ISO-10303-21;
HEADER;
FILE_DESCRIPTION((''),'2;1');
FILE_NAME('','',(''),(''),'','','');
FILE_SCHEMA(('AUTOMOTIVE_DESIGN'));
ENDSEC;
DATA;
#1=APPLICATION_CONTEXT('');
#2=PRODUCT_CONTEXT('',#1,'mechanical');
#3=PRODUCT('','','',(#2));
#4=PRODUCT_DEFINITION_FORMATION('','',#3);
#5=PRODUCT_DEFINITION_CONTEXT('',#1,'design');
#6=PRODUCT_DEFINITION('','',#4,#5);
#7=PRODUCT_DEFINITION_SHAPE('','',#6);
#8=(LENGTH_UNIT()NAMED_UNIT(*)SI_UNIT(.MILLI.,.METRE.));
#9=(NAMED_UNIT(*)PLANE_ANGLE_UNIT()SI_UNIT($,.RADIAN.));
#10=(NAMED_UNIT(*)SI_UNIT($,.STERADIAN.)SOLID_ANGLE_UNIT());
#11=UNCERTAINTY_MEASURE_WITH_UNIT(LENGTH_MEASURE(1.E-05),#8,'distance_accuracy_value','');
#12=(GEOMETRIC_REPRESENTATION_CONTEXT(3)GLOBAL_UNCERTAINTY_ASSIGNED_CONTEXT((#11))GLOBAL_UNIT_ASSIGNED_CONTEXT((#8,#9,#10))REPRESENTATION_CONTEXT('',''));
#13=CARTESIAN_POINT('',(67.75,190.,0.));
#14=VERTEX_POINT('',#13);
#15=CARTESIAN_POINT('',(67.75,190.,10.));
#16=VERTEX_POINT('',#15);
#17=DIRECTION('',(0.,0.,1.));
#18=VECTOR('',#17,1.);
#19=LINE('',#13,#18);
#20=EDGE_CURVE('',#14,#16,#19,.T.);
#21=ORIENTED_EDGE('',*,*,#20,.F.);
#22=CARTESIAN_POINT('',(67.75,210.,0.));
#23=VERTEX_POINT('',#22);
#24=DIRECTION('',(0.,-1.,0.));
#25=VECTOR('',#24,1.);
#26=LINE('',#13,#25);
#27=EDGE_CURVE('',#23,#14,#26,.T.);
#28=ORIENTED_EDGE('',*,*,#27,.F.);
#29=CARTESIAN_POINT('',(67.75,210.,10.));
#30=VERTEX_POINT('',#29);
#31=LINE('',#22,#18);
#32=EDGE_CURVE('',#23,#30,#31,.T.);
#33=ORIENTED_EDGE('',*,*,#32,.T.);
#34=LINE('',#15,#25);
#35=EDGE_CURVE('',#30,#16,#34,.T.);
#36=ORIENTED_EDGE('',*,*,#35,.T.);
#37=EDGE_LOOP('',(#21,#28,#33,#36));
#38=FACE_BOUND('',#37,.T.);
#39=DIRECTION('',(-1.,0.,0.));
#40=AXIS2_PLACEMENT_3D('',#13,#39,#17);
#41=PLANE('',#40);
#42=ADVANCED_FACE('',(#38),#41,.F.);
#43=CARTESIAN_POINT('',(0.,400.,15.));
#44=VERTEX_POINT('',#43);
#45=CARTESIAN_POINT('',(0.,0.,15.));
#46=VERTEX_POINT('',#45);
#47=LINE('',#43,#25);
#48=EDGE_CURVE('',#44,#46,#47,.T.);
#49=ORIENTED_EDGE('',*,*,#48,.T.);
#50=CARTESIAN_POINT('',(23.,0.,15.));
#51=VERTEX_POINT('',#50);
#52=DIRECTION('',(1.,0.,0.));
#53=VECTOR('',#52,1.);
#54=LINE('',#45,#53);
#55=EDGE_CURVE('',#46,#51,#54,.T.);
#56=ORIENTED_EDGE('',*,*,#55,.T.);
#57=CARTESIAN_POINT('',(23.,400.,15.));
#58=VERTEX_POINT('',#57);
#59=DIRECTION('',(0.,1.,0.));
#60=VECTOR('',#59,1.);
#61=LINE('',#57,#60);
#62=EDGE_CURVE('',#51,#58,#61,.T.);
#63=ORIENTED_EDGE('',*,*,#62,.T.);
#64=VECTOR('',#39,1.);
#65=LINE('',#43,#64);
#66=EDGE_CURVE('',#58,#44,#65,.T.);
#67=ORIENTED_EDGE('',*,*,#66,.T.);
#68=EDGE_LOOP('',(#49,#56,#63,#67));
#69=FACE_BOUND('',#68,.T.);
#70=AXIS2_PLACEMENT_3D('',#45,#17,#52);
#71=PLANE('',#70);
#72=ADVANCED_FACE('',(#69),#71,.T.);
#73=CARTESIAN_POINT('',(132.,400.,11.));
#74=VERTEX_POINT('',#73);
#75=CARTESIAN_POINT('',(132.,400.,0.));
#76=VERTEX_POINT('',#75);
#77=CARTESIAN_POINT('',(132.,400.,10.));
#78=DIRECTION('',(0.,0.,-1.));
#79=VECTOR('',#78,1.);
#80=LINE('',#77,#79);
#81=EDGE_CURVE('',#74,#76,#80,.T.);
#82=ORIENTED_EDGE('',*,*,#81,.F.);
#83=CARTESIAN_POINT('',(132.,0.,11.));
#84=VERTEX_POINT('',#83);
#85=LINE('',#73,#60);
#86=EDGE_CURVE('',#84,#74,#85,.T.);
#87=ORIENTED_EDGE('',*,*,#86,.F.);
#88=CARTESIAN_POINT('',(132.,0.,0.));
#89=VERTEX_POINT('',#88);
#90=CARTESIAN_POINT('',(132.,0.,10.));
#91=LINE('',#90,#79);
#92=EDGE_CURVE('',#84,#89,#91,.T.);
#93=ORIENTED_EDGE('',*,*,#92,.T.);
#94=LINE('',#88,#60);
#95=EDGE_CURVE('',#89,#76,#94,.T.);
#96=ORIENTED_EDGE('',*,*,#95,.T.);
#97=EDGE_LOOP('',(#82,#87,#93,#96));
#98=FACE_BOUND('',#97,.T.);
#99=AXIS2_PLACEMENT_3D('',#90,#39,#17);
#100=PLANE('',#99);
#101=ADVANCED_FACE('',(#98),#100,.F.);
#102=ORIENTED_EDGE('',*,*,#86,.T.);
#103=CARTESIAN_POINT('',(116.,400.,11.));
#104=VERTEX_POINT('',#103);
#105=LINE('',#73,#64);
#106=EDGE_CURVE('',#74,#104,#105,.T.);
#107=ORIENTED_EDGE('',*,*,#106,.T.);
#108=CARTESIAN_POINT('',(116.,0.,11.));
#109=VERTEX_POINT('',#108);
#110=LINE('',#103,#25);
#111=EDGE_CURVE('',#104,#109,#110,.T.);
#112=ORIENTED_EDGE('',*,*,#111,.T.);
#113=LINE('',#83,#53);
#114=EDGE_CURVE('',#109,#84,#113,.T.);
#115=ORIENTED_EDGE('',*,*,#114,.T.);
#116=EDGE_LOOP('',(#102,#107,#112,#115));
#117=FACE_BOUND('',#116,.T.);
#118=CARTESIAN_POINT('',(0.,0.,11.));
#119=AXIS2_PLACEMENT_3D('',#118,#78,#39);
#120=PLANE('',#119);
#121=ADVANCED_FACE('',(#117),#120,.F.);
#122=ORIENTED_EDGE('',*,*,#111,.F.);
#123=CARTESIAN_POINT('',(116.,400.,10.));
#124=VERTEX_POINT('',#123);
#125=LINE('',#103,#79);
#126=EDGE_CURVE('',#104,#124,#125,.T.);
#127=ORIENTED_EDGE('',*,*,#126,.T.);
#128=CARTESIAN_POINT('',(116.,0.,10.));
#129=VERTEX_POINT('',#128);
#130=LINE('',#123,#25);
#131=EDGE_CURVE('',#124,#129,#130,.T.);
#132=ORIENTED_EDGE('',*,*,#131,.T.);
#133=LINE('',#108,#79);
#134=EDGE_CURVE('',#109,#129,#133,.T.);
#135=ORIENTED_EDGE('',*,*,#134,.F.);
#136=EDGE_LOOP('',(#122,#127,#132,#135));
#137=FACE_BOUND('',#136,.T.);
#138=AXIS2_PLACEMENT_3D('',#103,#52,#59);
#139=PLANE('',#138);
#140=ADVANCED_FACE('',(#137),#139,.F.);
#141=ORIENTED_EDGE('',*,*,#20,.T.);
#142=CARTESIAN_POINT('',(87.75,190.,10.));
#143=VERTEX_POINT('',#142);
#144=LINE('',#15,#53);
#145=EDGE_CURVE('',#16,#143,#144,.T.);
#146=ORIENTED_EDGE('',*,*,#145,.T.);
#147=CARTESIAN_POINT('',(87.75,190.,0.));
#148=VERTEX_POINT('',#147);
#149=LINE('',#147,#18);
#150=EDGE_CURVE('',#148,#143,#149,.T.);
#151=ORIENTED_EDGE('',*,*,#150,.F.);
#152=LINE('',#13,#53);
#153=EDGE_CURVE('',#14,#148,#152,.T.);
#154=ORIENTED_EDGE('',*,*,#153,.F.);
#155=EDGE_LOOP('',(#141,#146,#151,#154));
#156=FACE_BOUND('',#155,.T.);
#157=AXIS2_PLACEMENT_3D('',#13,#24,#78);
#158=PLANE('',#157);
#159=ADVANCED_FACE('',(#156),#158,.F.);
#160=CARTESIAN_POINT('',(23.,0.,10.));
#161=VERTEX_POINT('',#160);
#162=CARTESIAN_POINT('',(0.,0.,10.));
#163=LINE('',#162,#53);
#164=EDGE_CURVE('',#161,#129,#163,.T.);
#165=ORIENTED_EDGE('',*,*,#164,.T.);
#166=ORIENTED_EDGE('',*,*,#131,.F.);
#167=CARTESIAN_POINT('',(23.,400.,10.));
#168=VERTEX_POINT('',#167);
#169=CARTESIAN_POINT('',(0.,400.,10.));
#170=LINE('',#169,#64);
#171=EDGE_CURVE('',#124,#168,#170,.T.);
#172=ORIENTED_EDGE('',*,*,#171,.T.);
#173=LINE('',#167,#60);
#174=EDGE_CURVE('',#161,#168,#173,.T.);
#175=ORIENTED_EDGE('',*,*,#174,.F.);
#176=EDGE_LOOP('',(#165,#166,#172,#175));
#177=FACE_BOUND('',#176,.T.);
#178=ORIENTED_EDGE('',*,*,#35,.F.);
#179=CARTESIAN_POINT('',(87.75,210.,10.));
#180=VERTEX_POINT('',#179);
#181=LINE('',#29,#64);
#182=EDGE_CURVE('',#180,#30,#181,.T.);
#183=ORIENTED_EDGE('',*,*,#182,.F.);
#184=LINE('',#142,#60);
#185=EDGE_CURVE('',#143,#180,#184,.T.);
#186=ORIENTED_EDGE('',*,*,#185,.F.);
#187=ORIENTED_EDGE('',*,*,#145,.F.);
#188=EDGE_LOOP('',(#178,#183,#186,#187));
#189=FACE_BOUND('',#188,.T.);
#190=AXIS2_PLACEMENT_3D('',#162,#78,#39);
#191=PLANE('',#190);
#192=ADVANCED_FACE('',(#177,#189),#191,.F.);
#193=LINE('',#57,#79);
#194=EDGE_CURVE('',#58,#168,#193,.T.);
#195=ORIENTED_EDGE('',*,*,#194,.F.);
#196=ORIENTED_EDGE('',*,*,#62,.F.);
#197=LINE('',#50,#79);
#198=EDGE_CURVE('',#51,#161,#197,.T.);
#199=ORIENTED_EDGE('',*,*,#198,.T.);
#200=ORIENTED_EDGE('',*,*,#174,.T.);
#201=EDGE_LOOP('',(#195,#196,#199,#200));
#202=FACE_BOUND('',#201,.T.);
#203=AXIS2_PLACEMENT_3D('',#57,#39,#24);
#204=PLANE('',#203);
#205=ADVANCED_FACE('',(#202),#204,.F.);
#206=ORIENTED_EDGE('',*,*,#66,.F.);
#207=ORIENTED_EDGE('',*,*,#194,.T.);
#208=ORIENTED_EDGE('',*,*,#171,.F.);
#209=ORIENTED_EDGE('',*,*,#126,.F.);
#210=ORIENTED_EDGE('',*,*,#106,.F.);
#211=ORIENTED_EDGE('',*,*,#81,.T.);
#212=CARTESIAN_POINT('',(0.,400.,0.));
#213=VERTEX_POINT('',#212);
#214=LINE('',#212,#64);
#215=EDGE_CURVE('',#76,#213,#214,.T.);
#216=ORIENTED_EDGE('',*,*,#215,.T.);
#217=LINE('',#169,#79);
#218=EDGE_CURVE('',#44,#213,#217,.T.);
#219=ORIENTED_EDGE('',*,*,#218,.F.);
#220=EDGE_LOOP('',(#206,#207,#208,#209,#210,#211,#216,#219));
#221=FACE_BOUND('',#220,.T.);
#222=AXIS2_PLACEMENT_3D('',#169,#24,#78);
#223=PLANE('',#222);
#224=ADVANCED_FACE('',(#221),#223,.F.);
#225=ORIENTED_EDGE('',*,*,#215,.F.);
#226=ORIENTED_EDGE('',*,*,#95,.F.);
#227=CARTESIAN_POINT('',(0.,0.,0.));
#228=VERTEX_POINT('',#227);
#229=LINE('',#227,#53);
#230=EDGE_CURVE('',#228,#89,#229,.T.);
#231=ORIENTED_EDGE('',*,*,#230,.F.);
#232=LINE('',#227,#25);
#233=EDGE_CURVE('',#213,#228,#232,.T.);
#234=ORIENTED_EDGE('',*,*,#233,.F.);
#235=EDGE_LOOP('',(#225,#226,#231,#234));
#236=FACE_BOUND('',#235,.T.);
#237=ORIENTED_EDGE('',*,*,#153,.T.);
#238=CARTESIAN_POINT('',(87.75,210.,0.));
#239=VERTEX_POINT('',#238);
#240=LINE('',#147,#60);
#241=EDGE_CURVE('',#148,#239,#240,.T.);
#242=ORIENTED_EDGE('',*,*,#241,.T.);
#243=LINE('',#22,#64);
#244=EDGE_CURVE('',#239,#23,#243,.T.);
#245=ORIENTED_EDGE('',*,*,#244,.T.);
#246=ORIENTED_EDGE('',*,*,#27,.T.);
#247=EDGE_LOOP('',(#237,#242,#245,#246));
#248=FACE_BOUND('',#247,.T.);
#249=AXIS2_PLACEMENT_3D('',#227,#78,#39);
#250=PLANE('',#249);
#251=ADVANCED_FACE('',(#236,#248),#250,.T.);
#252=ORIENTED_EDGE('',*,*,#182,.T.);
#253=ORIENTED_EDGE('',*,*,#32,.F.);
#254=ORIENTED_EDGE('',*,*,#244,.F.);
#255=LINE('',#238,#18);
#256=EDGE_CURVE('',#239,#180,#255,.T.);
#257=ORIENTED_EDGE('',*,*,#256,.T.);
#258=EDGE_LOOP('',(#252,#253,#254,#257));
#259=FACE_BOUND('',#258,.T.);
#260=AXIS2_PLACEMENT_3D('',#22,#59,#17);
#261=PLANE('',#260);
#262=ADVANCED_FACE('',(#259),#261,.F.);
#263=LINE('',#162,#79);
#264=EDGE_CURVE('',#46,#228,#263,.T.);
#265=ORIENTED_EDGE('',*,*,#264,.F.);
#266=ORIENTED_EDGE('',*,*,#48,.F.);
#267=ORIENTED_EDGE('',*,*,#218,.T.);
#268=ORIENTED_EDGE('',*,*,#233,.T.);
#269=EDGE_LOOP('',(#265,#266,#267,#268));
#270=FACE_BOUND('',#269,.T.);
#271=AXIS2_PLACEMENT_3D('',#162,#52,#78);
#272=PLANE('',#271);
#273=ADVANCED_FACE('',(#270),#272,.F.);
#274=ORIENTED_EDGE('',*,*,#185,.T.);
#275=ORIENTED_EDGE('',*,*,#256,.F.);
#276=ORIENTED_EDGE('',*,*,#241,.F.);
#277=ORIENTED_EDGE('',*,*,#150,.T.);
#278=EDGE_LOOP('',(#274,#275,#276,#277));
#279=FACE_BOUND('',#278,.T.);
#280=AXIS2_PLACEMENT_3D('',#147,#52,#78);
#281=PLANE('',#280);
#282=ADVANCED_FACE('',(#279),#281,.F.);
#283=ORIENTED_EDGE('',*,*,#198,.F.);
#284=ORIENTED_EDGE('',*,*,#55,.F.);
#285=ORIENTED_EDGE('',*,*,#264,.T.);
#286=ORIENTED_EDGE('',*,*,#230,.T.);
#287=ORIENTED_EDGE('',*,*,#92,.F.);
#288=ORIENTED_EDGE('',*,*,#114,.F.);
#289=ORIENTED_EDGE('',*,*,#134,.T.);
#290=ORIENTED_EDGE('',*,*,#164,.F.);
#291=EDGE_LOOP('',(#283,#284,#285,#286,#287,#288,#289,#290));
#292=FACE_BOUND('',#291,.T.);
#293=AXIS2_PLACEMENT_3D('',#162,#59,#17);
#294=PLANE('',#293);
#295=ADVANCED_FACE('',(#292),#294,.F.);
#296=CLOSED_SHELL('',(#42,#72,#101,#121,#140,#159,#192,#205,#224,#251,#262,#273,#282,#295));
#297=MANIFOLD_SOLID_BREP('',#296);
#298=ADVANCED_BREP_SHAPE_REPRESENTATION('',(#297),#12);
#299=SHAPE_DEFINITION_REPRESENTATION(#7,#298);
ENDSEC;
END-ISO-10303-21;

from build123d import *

# Parameters (mm, degrees)
SKETCH_1_W          = 132
SKETCH_1_H          = 400
EXTRUDE_1_DEPTH     = 10
SKETCH_2_W          = 23
SKETCH_2_H          = 400
EXTRUDE_2_DEPTH     = 5
SKETCH_3_W          = 16
SKETCH_3_H          = 400
EXTRUDE_3_DEPTH     = 1
SKETCH_4_W          = 20
SKETCH_4_H          = 20
CUT_EXTRUDE_1_DEPTH = 11


with BuildPart() as part:
    # ｽｹｯﾁ1 → ﾎﾞｽ - 押し出し1 (new body)
    with BuildSketch(Plane.XY):
        with Locations((66, 200)):
            Rectangle(SKETCH_1_W, SKETCH_1_H)
    extrude(amount=EXTRUDE_1_DEPTH)

    # ｽｹｯﾁ2 → ﾎﾞｽ - 押し出し2 (add)
    with BuildSketch(Plane.XY.offset(10)):
        with Locations((11.5, 200)):
            Rectangle(SKETCH_2_W, SKETCH_2_H)
    extrude(amount=EXTRUDE_2_DEPTH)

    # ｽｹｯﾁ3 → ﾎﾞｽ - 押し出し3 (add)
    with BuildSketch(Plane.XY.offset(10)):
        with Locations((124, 200)):
            Rectangle(SKETCH_3_W, SKETCH_3_H)
    extrude(amount=EXTRUDE_3_DEPTH)

    # ｽｹｯﾁ4 → ｶｯﾄ - 押し出し1 (cut, through all)
    with BuildSketch(Plane.XY.offset(10)):
        with Locations((77.75, 200)):
            Rectangle(SKETCH_4_W, SKETCH_4_H)
    extrude(amount=-CUT_EXTRUDE_1_DEPTH, mode=Mode.SUBTRACT)


solid = part.part
